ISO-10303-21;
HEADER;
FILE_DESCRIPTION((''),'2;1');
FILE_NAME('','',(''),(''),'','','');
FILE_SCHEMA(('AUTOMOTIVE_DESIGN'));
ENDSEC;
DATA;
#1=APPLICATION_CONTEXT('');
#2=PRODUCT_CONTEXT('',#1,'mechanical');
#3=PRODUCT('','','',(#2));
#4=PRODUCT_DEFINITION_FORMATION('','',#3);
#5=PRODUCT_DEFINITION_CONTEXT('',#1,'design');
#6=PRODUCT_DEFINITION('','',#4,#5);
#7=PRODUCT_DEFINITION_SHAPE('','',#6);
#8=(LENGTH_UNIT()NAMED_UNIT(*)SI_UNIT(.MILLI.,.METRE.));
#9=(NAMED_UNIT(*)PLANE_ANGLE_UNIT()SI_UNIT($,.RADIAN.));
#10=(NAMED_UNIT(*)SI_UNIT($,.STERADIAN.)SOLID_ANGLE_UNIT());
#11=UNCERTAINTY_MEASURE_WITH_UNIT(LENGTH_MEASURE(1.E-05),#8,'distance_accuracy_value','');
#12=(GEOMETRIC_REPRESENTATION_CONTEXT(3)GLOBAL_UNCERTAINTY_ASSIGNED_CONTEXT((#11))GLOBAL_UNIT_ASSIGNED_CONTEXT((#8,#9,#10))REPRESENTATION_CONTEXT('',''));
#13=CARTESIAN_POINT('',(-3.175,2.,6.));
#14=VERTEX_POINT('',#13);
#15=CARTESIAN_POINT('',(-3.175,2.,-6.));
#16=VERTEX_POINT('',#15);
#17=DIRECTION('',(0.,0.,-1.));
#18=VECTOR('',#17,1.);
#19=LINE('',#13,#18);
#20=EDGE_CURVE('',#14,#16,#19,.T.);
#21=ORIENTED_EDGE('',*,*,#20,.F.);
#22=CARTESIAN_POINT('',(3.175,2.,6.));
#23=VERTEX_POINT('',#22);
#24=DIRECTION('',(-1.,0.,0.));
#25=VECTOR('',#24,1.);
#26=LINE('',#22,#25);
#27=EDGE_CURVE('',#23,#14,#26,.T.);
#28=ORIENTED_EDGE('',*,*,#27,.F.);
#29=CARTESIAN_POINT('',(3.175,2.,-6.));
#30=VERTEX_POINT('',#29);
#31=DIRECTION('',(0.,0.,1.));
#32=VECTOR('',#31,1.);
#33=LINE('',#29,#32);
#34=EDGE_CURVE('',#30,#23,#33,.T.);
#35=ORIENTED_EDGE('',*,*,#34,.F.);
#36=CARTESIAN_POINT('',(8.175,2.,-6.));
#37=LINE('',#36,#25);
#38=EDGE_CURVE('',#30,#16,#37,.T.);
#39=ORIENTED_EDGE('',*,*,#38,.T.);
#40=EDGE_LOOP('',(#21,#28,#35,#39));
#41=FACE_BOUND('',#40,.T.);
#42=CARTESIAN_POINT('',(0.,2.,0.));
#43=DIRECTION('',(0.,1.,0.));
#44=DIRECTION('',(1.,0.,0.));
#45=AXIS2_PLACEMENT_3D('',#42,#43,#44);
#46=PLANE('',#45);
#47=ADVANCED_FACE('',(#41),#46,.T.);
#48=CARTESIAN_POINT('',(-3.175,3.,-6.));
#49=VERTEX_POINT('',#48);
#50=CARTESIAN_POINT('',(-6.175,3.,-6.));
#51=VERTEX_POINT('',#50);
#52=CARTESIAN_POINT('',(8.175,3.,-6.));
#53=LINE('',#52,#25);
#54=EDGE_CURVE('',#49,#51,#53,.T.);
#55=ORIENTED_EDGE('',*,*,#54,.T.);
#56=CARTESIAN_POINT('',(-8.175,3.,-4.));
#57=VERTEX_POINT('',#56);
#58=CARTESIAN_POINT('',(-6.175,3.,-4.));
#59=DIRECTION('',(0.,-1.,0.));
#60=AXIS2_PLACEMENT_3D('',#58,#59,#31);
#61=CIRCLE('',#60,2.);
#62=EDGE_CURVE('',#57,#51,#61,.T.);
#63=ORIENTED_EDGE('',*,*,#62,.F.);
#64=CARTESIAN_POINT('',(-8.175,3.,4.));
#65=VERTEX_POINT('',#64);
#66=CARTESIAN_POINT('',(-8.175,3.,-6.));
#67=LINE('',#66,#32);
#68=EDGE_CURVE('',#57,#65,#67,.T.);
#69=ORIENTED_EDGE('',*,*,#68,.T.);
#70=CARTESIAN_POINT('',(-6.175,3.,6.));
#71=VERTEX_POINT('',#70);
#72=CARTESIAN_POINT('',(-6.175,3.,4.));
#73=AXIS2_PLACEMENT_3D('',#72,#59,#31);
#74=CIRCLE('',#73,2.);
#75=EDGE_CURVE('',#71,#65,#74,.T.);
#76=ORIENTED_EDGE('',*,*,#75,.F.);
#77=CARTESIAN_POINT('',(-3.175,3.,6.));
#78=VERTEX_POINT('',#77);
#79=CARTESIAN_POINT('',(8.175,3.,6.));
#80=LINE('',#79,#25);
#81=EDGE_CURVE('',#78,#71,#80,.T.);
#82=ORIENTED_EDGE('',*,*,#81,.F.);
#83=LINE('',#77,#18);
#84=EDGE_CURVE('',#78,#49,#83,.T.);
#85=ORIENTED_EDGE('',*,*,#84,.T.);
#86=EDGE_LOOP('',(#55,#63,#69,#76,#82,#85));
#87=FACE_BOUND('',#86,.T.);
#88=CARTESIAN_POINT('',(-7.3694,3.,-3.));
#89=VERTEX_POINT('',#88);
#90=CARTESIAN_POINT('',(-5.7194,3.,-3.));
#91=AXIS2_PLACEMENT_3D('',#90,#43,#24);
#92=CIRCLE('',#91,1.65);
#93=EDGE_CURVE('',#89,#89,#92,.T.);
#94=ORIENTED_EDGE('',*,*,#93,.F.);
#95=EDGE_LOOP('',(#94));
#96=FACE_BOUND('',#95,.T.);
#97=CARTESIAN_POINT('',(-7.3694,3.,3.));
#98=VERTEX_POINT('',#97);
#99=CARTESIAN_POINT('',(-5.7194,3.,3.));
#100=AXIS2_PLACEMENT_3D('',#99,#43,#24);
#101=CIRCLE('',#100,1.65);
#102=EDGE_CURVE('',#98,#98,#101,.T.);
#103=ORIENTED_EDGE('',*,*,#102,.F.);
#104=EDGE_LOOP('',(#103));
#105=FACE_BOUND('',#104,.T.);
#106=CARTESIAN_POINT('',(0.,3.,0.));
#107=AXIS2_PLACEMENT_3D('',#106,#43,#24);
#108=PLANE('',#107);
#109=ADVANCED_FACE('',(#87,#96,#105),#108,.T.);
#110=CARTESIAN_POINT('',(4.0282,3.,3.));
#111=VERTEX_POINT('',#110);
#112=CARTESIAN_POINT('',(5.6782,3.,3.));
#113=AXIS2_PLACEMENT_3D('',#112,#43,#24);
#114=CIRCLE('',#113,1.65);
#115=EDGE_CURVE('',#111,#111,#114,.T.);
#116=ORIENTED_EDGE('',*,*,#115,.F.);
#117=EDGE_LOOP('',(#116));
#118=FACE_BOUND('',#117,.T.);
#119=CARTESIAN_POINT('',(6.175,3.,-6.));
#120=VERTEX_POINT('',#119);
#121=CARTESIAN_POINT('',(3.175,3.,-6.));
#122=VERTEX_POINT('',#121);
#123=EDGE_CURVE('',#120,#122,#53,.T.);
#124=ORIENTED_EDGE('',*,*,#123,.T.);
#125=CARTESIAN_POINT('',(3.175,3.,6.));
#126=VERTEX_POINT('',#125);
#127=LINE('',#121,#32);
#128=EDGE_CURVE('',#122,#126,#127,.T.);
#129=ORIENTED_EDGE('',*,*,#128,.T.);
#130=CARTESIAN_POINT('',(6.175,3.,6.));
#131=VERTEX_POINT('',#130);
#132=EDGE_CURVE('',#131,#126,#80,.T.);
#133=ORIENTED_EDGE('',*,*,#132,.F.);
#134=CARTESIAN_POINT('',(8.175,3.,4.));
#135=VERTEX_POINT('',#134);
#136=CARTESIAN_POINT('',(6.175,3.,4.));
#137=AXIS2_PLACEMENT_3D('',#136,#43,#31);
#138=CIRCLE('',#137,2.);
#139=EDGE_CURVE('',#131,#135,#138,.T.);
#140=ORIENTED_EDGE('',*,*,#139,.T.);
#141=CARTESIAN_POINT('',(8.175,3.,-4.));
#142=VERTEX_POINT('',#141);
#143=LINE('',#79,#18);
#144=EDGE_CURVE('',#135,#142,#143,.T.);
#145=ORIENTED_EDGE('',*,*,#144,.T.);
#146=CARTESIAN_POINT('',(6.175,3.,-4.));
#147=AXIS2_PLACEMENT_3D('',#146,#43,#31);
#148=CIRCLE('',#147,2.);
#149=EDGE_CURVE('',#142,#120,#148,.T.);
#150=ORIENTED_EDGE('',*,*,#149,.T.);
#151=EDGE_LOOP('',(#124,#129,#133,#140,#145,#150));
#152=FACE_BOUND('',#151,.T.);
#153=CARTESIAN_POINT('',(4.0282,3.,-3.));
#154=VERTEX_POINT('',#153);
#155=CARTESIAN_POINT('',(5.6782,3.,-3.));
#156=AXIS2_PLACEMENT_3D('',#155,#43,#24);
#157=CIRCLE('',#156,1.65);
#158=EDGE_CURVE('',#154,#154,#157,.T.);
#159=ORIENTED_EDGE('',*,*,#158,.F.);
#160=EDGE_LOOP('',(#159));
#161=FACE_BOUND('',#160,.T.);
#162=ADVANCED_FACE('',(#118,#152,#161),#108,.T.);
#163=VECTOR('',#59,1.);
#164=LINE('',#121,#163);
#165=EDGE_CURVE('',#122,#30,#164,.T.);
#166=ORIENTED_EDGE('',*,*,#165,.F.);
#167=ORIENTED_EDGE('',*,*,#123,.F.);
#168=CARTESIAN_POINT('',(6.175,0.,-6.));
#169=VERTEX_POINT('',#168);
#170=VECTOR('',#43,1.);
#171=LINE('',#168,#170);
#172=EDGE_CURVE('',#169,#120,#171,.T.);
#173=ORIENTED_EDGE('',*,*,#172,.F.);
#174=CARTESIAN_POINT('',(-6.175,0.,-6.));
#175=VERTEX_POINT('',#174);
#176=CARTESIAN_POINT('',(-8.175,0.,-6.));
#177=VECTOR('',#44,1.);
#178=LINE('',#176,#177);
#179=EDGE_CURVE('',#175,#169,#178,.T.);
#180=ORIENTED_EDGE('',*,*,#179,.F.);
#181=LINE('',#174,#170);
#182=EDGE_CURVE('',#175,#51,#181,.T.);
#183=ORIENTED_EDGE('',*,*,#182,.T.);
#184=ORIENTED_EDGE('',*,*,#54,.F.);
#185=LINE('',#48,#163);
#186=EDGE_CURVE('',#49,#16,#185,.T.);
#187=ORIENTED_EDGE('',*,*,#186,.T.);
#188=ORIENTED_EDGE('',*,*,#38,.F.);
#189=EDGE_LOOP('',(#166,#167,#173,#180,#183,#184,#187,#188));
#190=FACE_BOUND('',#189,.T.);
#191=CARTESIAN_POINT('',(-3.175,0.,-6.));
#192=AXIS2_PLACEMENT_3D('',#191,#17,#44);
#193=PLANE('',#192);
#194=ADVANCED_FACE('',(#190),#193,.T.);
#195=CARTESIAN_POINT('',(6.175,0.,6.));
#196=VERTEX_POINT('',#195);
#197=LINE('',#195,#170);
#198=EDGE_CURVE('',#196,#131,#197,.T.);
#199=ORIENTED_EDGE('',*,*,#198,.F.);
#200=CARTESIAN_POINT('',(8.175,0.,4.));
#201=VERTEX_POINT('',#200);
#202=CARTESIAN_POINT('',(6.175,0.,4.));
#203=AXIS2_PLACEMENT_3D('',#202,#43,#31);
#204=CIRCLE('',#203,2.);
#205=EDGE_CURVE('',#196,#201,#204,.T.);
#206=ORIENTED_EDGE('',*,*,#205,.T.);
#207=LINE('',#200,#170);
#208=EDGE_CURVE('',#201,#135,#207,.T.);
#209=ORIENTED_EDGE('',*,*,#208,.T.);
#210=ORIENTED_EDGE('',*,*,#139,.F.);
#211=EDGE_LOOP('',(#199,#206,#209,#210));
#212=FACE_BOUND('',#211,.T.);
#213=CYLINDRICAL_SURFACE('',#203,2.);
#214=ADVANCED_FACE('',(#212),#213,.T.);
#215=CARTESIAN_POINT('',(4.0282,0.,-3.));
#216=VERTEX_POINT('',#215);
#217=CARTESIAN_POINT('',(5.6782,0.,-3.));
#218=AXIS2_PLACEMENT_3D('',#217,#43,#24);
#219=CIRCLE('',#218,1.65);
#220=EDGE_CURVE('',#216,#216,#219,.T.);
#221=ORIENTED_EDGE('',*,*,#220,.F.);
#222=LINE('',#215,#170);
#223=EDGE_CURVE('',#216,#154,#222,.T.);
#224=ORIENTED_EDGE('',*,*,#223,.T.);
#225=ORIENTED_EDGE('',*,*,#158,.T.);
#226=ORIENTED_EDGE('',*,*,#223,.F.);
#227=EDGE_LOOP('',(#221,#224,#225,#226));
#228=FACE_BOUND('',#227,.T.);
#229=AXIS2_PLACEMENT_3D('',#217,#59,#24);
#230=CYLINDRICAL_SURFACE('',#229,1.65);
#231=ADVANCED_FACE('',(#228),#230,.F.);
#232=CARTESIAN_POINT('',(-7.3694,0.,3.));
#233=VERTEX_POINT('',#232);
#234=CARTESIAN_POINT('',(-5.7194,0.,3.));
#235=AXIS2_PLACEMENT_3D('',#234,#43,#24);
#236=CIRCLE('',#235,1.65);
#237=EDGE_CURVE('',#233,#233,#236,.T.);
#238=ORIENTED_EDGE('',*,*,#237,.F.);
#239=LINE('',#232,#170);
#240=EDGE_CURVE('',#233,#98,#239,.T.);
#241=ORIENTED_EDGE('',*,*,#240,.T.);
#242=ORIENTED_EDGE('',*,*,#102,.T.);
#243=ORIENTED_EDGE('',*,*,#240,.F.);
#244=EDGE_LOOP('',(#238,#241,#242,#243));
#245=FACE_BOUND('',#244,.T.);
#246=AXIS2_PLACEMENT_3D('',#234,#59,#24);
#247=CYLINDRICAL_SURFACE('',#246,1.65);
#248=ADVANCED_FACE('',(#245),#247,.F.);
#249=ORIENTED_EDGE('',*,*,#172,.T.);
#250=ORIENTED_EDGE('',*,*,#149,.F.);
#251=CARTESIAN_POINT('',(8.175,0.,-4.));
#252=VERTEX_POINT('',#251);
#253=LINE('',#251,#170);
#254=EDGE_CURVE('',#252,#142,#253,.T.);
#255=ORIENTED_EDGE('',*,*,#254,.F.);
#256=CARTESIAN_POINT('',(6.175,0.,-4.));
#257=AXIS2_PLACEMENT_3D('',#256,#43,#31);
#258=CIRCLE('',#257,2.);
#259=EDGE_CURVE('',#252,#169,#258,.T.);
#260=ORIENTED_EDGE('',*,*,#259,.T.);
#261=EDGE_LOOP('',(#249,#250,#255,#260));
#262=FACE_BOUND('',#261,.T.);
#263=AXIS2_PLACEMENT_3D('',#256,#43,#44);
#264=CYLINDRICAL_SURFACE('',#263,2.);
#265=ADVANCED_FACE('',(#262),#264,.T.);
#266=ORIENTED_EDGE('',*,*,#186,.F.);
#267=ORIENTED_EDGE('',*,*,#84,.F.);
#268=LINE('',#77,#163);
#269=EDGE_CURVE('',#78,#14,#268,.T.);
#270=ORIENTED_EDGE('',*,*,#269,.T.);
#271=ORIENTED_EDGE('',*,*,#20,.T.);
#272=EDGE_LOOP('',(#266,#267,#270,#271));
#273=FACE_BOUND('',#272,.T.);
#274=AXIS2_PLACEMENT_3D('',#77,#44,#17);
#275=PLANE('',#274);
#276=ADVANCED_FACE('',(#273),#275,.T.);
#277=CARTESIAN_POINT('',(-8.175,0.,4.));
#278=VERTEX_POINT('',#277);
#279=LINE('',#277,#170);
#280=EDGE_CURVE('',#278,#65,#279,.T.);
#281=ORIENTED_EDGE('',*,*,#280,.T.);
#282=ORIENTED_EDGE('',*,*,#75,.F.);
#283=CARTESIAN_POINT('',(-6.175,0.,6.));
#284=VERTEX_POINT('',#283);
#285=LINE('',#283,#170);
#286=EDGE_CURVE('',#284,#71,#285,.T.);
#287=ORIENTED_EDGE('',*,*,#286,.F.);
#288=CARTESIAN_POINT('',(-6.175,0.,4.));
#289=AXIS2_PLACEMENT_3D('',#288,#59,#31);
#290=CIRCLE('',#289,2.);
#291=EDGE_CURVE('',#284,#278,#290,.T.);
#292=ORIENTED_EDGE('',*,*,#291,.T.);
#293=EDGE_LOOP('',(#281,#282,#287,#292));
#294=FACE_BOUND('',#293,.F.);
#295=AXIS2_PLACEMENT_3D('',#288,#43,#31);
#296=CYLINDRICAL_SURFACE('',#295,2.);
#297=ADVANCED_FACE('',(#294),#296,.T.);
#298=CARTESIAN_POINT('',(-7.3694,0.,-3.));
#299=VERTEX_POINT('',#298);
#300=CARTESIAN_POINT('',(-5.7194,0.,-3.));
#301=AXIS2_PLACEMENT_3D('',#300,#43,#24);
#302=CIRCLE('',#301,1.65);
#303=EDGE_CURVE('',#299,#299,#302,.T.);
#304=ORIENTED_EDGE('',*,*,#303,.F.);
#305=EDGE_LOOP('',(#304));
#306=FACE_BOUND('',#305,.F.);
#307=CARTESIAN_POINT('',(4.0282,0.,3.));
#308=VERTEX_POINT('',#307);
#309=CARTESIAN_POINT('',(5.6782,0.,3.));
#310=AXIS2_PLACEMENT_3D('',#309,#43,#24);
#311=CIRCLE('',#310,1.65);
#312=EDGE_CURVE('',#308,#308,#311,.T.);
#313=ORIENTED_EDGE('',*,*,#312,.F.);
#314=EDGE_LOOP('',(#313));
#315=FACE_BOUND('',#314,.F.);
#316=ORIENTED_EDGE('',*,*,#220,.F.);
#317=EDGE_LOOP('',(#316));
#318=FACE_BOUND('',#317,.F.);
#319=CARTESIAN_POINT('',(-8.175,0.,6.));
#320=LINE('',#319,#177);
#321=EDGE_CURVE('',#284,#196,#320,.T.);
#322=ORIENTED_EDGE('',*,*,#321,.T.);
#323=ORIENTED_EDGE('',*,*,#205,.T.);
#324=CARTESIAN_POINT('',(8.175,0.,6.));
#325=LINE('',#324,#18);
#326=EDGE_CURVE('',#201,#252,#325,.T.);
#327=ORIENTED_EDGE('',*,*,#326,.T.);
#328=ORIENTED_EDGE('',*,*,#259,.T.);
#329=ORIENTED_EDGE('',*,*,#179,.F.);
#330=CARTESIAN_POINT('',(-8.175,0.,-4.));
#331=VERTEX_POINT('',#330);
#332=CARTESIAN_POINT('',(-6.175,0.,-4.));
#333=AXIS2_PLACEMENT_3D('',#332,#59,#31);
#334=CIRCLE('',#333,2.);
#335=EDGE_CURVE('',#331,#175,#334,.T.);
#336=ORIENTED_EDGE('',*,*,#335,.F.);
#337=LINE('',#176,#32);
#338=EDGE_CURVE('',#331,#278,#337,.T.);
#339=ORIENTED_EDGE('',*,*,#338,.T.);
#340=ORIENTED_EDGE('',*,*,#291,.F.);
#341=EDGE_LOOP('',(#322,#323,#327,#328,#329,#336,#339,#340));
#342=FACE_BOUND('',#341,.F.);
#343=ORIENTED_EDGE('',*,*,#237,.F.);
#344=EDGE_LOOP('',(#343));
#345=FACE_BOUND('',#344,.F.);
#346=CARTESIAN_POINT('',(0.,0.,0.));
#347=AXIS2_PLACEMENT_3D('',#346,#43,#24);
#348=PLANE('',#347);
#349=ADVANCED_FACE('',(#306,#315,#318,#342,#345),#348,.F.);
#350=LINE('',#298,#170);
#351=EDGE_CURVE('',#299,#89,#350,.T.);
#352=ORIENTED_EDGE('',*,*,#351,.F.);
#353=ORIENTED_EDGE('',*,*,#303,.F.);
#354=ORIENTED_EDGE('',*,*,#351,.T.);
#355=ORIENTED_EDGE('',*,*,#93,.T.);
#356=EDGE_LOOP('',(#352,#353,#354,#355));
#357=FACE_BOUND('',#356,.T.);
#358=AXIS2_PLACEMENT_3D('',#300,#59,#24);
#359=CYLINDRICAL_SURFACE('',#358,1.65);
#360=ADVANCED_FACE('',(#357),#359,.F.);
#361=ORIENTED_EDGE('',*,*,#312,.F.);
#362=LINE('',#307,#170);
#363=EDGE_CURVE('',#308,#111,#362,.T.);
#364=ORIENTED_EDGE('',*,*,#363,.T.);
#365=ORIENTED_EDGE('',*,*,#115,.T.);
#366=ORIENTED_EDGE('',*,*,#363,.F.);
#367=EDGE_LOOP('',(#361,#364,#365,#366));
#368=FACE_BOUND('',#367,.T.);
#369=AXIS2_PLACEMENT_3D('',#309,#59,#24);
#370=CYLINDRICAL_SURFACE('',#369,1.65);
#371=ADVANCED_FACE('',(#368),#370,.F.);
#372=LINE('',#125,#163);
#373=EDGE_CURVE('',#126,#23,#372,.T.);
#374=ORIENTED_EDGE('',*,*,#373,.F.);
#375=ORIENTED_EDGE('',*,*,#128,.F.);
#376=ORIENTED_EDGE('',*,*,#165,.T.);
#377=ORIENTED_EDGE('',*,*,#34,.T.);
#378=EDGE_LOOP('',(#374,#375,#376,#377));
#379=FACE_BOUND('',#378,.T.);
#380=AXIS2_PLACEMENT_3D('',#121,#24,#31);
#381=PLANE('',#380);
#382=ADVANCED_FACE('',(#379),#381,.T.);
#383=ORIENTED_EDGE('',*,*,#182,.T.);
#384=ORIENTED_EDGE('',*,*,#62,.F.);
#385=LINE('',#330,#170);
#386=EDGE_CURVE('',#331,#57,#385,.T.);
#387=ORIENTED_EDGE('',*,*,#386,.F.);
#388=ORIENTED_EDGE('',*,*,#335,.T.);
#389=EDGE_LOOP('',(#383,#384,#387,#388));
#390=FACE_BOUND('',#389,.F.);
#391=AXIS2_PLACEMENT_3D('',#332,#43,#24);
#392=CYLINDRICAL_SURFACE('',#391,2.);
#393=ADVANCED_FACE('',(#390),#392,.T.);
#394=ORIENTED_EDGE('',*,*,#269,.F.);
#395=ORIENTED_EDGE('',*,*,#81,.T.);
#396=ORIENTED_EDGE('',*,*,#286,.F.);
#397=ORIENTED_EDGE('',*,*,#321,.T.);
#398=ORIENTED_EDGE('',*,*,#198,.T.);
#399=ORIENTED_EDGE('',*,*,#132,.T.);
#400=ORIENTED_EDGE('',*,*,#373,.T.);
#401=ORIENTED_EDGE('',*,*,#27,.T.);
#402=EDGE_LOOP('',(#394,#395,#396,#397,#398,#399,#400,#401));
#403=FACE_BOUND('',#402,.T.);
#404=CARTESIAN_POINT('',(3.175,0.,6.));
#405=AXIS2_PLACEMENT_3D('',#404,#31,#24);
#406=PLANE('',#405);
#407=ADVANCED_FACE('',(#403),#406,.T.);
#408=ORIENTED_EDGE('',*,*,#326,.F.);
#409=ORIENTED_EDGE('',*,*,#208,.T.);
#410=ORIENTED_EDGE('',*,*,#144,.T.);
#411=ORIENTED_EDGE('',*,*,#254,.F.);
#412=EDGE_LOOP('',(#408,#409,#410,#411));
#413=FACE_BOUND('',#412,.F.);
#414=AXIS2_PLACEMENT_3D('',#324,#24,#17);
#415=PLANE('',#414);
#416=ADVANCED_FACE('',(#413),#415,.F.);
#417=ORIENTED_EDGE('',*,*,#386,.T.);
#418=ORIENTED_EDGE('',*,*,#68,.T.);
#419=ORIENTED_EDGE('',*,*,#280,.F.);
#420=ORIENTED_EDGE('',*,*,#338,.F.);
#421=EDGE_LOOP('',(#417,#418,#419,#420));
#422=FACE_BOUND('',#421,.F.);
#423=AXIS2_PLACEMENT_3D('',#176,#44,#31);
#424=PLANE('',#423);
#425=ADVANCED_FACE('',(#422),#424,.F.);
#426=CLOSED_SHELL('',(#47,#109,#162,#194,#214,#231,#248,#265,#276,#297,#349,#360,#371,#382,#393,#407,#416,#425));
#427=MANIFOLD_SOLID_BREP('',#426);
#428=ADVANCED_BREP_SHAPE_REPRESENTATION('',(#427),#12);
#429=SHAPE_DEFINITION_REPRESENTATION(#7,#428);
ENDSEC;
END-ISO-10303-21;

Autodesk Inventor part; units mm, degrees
ref_plane "YZ Plane" through (0, 0, 0) normal (1, 0, 0) x (0, 1, 0)
ref_plane "XZ Plane" through (0, 0, 0) normal (0, 1, 0) x (-1, 0, 0)
ref_plane "XY Plane" through (0, 0, 0) normal (0, 0, 1) x (1, 0, 0)
sketch "Boceto1" plane through (0, 0, 0) normal (0, 1, 0) x (-1, 0, 0)
  line L0 (-3.175, 6) -> (3.175, 6)
  line L1 (3.175, 6) -> (3.175, -6)
  line L2 (3.175, -6) -> (-3.175, -6)
  line L3 (-3.175, -6) -> (-3.175, 6)
  line L4 (-3.175, 6) -> (3.175, -6) construction
  line L5 (3.175, 6) -> (-3.175, -6) construction
  line L6 (8.175, 6) -> (-8.175, 6)
  line L7 (-8.175, 6) -> (-8.175, -6)
  line L8 (-8.175, -6) -> (8.175, -6)
  line L9 (8.175, -6) -> (8.175, 6)
  circle A0 centre (5.7194, 3) radius 1.65
  circle A1 centre (5.7194, -3) radius 1.65
  circle A2 centre (-5.6782, 3) radius 1.65
  circle A3 centre (-5.6782, -3) radius 1.65
  point P0 (0, 0)
  dimension "d0" = 6.35
  dimension "d1" = 12
  dimension "d2" = 5
  dimension "d3" = 5
  dimension "d4" = 3.3
  dimension "d5" = 3
  dimension "d6" = 3
extrude "Extrusión1" add sketch "Boceto1" along normal blind 3
sketch "Boceto2" plane through (0, 3, 0) normal (0, 1, 0) x (1, 0, 0)
  line L0 (8.175, 6) -> (-8.175, 6) projected
  line L1 (3.175, -6) -> (-3.175, -6)
  line L2 (-3.175, -6) -> (-3.175, 6)
  line L3 (-3.175, 6) -> (3.175, 6)
  line L4 (3.175, 6) -> (3.175, -6)
  line L5 (3.175, -6) -> (-3.175, 6) construction
  line L6 (-3.175, -6) -> (3.175, 6) construction
  point P0 (0, 0)
  dimension "d9" = 6.35
extrude "Extrusión2" cut sketch "Boceto2" against normal blind 1
fillet "Empalme1" radius 2 4 edges at (-8.175, 1.5, 6) (8.175, 1.5, 6) (8.175, 1.5, -6) (-8.175, 1.5, -6)
properties part number "lockbelt"
